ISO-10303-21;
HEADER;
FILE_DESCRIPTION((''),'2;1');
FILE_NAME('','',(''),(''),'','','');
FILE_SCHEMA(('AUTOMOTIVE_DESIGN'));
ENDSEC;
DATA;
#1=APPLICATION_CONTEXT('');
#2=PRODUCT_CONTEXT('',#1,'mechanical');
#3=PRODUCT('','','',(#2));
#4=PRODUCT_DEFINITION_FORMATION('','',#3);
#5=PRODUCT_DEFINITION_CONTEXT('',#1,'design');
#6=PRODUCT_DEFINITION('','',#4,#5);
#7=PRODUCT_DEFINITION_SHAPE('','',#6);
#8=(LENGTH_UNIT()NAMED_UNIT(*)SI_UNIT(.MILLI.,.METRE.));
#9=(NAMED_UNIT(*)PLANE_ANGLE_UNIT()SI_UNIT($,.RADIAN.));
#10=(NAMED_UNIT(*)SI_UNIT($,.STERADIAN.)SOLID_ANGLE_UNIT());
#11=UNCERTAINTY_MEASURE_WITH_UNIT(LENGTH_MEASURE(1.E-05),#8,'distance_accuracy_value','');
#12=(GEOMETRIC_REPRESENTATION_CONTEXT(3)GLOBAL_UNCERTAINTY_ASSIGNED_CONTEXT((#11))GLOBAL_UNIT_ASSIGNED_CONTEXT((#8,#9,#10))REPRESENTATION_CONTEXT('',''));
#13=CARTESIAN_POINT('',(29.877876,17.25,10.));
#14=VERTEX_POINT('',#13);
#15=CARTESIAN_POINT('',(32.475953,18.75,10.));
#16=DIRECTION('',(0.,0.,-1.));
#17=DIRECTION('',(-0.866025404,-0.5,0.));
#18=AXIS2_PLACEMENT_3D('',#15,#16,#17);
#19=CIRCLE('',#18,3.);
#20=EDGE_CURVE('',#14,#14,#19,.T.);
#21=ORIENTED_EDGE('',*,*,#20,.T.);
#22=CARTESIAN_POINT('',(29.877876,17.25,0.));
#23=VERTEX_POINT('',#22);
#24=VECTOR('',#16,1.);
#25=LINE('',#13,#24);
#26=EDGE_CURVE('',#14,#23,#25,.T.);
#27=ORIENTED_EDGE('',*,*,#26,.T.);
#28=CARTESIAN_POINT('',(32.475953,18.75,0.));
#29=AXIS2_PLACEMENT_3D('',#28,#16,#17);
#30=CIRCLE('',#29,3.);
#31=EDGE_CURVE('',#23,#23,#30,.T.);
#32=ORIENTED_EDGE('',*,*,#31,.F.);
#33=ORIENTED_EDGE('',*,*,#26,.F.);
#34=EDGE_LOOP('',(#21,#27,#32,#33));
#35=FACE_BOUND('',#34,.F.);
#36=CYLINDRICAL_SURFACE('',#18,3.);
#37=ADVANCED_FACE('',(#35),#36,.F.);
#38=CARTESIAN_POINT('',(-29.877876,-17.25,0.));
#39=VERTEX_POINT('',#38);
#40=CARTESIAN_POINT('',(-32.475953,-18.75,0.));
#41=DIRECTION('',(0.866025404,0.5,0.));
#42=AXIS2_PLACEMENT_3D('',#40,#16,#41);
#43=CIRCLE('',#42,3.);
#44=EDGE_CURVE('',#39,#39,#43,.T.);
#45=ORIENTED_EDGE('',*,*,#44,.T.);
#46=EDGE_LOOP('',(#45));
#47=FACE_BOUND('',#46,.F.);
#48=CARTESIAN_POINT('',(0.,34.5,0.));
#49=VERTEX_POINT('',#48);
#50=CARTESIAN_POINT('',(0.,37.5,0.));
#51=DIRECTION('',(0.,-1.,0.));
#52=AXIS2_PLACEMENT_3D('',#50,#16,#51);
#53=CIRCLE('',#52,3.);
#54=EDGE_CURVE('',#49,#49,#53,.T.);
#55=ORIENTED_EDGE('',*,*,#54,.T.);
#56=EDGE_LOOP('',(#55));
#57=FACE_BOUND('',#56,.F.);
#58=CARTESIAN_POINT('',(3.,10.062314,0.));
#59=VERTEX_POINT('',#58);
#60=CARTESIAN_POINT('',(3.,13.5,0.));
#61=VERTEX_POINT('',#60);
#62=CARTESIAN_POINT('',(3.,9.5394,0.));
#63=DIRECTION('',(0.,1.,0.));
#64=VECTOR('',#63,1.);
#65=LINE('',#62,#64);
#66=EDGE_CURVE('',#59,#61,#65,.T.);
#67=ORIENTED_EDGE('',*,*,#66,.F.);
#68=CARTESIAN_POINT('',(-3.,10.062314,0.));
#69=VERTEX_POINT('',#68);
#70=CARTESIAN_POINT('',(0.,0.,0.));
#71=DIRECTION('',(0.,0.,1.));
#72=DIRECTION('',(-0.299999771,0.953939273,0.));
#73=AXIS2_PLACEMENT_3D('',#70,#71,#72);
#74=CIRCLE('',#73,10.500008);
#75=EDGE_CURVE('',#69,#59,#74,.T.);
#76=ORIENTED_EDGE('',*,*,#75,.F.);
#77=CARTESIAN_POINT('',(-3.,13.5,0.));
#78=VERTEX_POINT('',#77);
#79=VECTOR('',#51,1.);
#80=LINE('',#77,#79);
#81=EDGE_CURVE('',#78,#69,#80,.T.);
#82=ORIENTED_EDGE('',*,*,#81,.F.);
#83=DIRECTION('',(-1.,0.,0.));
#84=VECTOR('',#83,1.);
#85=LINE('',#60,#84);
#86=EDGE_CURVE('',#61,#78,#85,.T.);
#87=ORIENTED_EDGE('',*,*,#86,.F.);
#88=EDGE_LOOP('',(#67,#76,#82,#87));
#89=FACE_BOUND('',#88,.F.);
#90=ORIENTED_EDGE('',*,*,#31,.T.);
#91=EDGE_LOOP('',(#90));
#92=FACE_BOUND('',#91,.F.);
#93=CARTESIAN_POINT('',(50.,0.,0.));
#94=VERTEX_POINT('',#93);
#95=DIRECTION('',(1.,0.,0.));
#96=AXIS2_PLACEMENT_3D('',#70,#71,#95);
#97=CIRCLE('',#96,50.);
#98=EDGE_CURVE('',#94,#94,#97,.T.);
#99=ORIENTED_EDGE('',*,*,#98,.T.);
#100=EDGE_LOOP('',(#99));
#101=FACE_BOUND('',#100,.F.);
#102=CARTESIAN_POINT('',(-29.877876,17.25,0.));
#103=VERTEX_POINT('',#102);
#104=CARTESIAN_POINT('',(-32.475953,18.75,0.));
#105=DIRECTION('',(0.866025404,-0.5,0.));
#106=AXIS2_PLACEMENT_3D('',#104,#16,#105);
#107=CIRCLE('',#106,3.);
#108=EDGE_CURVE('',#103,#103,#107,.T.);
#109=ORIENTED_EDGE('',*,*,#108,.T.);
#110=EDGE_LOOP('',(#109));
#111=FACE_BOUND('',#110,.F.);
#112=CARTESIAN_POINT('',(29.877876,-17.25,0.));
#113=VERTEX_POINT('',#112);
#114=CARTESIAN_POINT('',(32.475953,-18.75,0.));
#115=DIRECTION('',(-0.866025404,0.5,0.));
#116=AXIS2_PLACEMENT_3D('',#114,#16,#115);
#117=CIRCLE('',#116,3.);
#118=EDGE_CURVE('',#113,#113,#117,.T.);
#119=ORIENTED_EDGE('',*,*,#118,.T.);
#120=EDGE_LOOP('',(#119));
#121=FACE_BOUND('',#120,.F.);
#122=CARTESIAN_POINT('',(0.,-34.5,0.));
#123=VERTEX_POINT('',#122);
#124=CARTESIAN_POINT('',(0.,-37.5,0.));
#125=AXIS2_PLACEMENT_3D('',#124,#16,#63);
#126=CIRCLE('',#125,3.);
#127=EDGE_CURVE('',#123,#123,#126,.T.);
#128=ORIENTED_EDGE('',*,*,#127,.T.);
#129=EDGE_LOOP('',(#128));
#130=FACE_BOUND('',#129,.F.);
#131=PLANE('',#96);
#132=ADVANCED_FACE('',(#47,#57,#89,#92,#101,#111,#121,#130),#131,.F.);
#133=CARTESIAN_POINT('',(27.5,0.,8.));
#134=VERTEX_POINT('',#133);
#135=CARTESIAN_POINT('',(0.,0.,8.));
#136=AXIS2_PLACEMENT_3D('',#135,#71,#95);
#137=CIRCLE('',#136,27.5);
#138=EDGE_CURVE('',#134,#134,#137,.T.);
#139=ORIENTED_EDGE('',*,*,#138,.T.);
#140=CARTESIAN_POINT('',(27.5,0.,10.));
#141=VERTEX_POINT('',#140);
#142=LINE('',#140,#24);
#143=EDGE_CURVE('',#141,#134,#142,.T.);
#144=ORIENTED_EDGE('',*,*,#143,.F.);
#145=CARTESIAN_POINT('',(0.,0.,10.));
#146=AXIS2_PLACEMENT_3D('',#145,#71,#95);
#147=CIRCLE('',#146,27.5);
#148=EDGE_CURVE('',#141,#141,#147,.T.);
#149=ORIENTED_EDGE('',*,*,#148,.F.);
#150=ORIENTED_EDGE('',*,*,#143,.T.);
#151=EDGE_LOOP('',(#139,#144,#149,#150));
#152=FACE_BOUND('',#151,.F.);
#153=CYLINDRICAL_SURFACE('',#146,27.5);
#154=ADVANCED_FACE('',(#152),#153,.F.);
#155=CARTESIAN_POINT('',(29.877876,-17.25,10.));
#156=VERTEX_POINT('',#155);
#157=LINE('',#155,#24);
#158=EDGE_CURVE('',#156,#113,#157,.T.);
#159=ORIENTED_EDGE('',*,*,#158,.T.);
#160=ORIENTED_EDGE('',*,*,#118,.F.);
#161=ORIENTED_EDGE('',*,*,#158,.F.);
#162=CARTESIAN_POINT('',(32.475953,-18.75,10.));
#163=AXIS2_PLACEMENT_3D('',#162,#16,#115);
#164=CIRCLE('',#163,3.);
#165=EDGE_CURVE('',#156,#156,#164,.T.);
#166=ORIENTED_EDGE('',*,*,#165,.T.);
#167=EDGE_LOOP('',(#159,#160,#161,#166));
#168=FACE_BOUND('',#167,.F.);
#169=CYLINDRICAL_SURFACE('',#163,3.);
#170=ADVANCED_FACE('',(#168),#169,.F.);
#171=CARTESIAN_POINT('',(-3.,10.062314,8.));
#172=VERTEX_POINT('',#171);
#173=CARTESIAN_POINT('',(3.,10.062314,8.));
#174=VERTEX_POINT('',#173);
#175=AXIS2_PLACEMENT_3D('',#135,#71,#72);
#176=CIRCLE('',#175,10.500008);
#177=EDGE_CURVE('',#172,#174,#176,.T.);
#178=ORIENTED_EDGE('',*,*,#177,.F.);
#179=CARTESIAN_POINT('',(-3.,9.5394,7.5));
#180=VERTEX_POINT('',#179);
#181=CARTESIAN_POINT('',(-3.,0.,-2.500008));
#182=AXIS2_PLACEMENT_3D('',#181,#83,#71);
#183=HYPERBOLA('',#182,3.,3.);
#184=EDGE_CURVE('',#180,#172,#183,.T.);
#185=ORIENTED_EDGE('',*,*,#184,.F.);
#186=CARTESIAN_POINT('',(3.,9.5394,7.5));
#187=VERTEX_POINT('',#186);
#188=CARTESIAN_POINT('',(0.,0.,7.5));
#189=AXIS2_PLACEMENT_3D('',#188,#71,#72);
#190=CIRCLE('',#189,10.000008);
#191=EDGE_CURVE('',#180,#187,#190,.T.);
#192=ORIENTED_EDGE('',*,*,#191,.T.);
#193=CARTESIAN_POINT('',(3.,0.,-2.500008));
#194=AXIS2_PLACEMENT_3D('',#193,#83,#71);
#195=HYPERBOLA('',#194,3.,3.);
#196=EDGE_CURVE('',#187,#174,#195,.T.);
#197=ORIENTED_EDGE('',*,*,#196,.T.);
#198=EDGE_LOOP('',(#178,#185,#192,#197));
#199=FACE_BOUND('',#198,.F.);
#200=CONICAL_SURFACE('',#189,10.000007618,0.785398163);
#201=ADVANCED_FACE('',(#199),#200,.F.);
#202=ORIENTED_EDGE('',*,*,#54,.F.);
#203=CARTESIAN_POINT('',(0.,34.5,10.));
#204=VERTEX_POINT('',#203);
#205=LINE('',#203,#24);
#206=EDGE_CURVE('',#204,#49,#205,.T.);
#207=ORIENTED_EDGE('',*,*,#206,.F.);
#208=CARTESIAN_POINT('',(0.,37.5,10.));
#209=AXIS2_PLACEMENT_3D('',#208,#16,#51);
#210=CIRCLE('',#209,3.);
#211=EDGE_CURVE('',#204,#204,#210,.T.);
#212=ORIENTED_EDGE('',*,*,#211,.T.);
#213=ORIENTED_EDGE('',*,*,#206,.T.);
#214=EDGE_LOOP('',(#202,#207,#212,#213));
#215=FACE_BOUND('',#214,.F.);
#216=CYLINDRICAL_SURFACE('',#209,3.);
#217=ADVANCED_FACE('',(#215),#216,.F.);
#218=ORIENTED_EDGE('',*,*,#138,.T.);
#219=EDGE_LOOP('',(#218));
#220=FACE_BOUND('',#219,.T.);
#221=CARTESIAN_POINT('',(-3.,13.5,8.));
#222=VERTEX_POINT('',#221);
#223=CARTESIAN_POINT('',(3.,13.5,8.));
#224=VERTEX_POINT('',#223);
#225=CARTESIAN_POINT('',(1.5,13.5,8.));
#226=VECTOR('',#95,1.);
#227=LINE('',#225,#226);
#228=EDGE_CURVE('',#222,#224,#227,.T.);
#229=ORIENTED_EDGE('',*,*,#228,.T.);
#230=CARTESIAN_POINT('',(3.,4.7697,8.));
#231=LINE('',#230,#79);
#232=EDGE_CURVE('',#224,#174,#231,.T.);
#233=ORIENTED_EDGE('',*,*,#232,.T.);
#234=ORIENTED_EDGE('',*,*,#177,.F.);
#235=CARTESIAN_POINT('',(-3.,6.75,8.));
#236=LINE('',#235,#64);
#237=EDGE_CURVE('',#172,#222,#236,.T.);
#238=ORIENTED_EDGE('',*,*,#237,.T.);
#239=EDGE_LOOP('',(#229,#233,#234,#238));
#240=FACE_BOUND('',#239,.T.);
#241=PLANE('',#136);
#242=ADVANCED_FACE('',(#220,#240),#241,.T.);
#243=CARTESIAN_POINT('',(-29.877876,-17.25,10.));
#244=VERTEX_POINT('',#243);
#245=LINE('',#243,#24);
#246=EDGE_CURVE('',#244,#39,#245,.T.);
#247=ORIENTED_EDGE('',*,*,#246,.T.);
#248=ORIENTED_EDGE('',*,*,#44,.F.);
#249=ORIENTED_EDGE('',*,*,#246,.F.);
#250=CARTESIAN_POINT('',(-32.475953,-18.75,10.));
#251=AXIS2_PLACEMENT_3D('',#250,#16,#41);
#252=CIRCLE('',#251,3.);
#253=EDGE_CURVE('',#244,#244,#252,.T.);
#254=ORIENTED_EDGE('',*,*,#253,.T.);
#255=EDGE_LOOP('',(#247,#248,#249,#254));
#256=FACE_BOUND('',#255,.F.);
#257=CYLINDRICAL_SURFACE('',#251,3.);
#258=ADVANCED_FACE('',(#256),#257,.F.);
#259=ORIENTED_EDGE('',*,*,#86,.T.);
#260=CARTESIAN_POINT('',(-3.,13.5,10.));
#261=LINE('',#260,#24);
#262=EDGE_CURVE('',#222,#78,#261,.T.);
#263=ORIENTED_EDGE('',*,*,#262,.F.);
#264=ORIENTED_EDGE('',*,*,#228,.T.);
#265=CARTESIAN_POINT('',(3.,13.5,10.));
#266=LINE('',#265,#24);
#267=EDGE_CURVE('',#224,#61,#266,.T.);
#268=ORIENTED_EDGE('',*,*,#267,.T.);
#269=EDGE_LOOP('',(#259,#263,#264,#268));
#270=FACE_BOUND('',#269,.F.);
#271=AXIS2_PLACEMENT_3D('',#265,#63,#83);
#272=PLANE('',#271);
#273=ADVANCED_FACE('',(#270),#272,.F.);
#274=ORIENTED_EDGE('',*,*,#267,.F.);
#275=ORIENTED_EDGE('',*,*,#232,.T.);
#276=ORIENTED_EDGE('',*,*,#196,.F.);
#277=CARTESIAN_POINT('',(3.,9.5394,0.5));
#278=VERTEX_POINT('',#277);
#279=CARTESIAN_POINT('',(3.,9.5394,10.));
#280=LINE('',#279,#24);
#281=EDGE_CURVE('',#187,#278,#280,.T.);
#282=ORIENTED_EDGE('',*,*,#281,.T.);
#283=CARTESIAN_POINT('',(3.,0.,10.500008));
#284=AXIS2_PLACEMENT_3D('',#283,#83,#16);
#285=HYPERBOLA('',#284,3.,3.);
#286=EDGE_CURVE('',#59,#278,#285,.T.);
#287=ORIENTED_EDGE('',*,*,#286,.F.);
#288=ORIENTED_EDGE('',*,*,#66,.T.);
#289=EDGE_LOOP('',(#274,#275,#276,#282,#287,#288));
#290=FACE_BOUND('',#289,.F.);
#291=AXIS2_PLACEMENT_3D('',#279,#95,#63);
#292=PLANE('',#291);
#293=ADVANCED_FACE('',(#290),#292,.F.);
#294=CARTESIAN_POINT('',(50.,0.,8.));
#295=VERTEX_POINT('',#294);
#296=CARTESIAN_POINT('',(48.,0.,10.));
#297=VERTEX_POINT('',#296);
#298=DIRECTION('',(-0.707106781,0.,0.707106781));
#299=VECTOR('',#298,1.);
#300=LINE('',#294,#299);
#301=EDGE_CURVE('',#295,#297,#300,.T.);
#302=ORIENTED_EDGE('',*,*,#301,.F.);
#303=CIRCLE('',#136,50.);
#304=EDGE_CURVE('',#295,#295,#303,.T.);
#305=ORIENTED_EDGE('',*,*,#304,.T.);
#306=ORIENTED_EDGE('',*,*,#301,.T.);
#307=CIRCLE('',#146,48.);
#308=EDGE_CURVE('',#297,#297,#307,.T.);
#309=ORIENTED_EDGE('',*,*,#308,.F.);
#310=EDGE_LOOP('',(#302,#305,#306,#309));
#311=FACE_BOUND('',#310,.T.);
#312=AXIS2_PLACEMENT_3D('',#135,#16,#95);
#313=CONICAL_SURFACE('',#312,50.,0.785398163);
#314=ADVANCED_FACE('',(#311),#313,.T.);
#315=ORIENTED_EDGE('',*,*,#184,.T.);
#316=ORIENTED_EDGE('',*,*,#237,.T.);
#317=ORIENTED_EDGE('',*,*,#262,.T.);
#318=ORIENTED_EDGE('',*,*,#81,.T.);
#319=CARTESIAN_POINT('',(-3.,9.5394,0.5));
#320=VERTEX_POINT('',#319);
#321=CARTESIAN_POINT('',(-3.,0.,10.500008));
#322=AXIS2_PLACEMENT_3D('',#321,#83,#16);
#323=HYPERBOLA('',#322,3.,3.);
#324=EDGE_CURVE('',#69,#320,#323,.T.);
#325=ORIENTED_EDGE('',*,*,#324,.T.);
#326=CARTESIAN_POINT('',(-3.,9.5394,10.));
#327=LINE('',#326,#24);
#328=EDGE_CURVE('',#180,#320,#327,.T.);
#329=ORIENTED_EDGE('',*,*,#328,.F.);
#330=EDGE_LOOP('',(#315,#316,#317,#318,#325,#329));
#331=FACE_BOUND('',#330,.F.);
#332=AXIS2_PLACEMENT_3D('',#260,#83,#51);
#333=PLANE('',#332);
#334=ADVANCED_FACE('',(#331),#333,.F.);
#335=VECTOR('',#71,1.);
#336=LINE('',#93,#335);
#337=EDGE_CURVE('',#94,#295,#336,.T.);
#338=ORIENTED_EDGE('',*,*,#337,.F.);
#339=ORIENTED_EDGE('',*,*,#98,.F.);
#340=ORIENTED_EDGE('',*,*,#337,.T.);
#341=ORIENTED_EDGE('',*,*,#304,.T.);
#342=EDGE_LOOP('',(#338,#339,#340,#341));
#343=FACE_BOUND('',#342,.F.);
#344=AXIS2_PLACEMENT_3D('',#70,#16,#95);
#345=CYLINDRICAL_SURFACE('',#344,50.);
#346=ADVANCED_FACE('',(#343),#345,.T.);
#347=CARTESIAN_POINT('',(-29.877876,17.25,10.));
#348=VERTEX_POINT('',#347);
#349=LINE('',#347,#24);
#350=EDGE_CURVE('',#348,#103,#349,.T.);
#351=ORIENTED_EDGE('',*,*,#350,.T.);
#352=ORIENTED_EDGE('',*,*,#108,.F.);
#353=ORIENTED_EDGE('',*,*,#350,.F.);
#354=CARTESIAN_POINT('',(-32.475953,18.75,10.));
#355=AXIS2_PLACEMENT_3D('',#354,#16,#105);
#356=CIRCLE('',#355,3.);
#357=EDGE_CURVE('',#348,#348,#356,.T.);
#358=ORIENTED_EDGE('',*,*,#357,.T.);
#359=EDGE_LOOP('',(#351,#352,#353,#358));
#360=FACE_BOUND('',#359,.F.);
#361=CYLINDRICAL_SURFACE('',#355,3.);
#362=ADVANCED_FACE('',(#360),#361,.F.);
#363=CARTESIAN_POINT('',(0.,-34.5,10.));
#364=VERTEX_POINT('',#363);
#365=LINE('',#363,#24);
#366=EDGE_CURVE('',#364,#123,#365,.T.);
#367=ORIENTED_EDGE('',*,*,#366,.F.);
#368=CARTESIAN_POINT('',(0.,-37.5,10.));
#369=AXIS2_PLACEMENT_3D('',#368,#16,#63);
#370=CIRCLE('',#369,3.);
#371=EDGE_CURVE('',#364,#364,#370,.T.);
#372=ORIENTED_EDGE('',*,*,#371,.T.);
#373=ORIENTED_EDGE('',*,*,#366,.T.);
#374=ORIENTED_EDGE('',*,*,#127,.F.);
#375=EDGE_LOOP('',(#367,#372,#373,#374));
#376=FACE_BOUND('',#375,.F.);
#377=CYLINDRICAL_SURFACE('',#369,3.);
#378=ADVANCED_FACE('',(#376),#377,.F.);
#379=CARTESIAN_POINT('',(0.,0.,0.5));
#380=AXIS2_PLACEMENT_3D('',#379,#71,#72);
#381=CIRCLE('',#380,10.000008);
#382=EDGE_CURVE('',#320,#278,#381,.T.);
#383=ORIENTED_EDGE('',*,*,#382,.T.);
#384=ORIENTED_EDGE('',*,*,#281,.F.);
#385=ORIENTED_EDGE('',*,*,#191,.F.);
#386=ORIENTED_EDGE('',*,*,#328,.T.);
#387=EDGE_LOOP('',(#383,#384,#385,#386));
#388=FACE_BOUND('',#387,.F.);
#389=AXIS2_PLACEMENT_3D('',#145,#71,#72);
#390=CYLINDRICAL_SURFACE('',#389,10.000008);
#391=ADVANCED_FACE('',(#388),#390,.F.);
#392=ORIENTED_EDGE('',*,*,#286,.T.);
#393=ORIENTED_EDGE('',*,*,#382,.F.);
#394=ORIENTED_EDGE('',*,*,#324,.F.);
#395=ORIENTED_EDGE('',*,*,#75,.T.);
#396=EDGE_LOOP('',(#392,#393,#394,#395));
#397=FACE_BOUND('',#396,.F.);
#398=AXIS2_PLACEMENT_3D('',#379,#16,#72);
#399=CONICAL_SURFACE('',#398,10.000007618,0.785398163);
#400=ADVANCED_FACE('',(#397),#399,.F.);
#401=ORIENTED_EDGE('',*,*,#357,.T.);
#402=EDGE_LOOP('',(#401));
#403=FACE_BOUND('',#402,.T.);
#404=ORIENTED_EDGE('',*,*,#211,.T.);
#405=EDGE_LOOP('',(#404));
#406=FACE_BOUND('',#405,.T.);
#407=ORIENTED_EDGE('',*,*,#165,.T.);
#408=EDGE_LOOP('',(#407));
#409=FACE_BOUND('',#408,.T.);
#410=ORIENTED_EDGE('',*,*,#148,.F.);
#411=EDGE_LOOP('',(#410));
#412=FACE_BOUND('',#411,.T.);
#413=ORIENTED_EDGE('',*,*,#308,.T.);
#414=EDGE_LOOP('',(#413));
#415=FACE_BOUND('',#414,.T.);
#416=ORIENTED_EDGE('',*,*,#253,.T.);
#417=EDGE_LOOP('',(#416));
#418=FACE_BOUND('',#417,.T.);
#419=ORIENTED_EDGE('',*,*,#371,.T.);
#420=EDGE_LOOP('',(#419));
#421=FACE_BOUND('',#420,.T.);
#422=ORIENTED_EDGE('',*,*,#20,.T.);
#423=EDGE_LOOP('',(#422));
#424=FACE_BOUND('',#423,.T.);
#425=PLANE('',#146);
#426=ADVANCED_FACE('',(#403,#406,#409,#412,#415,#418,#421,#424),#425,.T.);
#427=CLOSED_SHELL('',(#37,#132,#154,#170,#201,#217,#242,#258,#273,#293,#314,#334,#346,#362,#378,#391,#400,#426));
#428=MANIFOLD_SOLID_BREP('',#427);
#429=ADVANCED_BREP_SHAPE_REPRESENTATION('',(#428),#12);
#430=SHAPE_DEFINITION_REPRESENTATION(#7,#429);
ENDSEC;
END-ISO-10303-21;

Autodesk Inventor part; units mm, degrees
ref_plane "YZ Plane" through (0, 0, 0) normal (1, 0, 0) x (0, 1, 0)
ref_plane "XZ Plane" through (0, 0, 0) normal (0, 1, 0) x (-1, 0, 0)
ref_plane "XY Plane" through (0, 0, 0) normal (0, 0, 1) x (1, 0, 0)
sketch "Sketch1" plane through (0, 0, 0) normal (0, 0, 1) x (1, 0, 0)
  circle A0 centre (0, 0) radius 50
  dimension "d0" = 100
extrude "Extrusion1" add sketch "Sketch1" along normal blind 10
sketch "Sketch2" plane through (0, 0, 10) normal (0, 0, 1) x (1, 0, 0)
  arc A0 (-3, 9.5394) -> (3, 9.5394) centre (0, 0) ccw
  line L0 (3, 9.5394) -> (3, 13.5)
  line L1 (3, 13.5) -> (-3, 13.5)
  line L2 (-3, 13.5) -> (-3, 9.5394)
  line L3 (-3, 6.5) -> (3, 13.5) construction
  line L4 (3, 6.5) -> (-3, 13.5) construction
  point P0 (0, 10)
  dimension "d3" = 20
  dimension "d4" = 6
  dimension "d5" = 3.5
extrude "Extrusion2" cut sketch "Sketch2" against normal blind 10
chamfer "Chamfer1" distance 2 angle 45 1 edges at (-50, 0, 10)
sketch "Sketch3" plane through (0, 0, 10) normal (0, 0, 1) x (1, 0, 0)
  circle A0 centre (0, 0) radius 27.5
  dimension "d11" = 55
extrude "Extrusion3" cut sketch "Sketch3" against normal blind 2
chamfer "Chamfer2" distance 0.5 angle 45 2 edges at (0, -10, 0) (0, -10, 8)
sketch "Sketch4" plane through (0, 0, 10) normal (0, 0, 1) x (1, 0, 0)
  line L0 (0, 0) -> (0, 37.5)
  circle A0 centre (0, 37.5) radius 3
  dimension "d17" = 37.5
  dimension "d18" = 6
hole "Hole1" at (0, 37.5, 10) direction (0, 0, -1) diameter 6 end through all
pattern_circular "Circular Pattern1" count 6 over 360 about axis through (0, 0, 10) along (0, 0, -1) of "Hole1"
properties part number "Hub Flange"
